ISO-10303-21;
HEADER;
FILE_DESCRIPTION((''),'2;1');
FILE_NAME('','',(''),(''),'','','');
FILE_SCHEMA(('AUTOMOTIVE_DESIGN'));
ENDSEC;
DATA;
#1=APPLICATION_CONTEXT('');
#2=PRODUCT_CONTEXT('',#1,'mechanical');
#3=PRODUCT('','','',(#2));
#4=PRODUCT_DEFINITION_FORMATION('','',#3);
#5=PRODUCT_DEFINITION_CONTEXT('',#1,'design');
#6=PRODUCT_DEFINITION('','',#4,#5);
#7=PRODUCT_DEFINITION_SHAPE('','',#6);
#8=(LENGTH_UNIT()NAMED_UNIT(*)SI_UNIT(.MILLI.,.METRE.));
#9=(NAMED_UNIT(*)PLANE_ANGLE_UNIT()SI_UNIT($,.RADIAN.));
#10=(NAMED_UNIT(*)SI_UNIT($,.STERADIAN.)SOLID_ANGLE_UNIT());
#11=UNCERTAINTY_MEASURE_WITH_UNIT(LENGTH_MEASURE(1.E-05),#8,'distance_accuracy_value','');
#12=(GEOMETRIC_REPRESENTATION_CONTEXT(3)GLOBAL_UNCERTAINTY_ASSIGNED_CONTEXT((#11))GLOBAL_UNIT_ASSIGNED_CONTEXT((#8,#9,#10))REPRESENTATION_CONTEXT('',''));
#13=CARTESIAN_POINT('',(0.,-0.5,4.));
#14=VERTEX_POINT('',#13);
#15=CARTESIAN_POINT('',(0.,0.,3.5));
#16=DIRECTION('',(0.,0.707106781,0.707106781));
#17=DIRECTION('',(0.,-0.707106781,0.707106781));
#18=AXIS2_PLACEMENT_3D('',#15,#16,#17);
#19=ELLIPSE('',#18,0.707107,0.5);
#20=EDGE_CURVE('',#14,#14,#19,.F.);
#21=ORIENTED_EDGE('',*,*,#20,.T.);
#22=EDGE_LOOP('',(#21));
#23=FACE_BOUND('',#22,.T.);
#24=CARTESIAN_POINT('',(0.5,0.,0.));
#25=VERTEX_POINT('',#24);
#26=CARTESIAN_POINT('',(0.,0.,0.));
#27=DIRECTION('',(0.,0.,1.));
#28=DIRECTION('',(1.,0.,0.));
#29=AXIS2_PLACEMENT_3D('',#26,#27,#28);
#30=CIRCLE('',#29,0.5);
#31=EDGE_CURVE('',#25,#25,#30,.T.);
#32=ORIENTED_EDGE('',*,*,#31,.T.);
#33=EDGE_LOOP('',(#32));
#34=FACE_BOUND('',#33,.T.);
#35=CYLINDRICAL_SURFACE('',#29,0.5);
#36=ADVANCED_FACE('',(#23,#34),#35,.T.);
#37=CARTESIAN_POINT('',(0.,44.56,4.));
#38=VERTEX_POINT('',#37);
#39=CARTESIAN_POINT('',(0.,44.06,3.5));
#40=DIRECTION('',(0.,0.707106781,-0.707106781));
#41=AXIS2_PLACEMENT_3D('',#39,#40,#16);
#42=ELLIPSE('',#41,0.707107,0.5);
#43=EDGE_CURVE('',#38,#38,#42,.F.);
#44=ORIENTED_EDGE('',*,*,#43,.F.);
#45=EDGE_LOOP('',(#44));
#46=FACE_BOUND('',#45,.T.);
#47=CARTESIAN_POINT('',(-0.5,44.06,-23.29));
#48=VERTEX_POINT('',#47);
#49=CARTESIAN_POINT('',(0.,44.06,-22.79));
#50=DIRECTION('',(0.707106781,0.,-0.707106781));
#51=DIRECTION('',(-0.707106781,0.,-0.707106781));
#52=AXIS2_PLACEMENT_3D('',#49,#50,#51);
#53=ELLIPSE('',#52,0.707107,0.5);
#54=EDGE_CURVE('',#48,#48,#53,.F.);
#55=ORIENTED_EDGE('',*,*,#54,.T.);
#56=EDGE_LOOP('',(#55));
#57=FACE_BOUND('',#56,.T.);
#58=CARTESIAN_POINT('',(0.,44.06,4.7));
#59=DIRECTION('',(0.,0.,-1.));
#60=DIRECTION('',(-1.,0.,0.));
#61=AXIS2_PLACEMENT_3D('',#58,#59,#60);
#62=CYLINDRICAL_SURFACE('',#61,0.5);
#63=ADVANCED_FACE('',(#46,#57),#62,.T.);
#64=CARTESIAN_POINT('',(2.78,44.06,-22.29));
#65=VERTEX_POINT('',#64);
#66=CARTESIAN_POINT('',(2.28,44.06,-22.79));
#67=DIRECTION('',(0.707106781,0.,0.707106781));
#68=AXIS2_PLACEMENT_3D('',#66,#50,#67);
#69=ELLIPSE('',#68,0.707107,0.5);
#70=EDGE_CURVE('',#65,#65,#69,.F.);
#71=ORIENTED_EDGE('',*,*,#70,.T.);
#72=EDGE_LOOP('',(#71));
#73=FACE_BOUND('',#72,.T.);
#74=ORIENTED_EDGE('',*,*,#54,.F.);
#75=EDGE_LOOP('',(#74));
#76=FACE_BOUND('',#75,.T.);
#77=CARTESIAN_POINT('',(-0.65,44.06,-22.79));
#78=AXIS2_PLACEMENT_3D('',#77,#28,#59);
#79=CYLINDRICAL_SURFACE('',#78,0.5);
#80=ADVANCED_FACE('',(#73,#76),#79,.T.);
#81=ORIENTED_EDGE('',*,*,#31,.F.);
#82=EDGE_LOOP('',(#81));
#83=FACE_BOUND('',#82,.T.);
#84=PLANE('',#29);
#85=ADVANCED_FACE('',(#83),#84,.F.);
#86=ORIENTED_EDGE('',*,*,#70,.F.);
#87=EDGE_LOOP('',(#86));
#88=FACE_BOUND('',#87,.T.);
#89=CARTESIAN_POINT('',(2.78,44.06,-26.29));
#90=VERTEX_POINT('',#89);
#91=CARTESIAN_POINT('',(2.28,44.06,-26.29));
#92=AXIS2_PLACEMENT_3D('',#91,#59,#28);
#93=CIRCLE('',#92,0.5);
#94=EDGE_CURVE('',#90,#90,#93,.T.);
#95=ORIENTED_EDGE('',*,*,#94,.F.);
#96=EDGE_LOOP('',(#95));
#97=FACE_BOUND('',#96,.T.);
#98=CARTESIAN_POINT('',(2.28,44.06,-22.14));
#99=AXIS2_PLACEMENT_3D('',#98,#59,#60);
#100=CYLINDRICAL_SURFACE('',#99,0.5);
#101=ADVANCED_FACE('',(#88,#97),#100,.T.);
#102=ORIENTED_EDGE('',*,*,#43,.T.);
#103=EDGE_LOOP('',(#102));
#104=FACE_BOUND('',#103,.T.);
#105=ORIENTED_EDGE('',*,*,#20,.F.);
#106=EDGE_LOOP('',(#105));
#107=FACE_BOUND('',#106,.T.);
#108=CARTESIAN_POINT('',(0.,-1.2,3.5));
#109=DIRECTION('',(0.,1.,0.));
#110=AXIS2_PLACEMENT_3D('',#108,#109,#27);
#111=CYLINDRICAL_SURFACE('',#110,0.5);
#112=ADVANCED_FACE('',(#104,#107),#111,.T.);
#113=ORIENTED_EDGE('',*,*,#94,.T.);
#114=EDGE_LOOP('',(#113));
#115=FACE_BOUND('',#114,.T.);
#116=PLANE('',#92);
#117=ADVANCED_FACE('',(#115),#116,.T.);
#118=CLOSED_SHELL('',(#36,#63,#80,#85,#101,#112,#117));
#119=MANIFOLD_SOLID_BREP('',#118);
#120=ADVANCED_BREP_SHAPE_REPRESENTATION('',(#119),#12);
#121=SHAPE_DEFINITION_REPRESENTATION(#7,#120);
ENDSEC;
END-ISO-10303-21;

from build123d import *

# Parameters (mm, degrees)
ESQUISSE1_R = 0.5


with BuildPart() as part:
    # Balayage1: sweep along a curve in space
    with BuildLine() as balayage1_path:
        Line((0, 0, 0), (0, 0, 3.5))
        Line((0, 0, 3.5), (0, 44.06, 3.5))
        Line((0, 44.06, 3.5), (0, 44.06, -22.79))
        Line((0, 44.06, -22.79), (2.28, 44.06, -22.79))
        Line((2.28, 44.06, -22.79), (2.28, 44.06, -26.29))
    # Esquisse1 → Balayage1 (sweep)
    with BuildSketch(Plane(origin=(0, 0, 0), x_dir=(0, 1, 0), z_dir=(0, 0, 1))):
        Circle(ESQUISSE1_R)
    sweep(path=balayage1_path.line, transition=Transition.RIGHT)


solid = part.part
